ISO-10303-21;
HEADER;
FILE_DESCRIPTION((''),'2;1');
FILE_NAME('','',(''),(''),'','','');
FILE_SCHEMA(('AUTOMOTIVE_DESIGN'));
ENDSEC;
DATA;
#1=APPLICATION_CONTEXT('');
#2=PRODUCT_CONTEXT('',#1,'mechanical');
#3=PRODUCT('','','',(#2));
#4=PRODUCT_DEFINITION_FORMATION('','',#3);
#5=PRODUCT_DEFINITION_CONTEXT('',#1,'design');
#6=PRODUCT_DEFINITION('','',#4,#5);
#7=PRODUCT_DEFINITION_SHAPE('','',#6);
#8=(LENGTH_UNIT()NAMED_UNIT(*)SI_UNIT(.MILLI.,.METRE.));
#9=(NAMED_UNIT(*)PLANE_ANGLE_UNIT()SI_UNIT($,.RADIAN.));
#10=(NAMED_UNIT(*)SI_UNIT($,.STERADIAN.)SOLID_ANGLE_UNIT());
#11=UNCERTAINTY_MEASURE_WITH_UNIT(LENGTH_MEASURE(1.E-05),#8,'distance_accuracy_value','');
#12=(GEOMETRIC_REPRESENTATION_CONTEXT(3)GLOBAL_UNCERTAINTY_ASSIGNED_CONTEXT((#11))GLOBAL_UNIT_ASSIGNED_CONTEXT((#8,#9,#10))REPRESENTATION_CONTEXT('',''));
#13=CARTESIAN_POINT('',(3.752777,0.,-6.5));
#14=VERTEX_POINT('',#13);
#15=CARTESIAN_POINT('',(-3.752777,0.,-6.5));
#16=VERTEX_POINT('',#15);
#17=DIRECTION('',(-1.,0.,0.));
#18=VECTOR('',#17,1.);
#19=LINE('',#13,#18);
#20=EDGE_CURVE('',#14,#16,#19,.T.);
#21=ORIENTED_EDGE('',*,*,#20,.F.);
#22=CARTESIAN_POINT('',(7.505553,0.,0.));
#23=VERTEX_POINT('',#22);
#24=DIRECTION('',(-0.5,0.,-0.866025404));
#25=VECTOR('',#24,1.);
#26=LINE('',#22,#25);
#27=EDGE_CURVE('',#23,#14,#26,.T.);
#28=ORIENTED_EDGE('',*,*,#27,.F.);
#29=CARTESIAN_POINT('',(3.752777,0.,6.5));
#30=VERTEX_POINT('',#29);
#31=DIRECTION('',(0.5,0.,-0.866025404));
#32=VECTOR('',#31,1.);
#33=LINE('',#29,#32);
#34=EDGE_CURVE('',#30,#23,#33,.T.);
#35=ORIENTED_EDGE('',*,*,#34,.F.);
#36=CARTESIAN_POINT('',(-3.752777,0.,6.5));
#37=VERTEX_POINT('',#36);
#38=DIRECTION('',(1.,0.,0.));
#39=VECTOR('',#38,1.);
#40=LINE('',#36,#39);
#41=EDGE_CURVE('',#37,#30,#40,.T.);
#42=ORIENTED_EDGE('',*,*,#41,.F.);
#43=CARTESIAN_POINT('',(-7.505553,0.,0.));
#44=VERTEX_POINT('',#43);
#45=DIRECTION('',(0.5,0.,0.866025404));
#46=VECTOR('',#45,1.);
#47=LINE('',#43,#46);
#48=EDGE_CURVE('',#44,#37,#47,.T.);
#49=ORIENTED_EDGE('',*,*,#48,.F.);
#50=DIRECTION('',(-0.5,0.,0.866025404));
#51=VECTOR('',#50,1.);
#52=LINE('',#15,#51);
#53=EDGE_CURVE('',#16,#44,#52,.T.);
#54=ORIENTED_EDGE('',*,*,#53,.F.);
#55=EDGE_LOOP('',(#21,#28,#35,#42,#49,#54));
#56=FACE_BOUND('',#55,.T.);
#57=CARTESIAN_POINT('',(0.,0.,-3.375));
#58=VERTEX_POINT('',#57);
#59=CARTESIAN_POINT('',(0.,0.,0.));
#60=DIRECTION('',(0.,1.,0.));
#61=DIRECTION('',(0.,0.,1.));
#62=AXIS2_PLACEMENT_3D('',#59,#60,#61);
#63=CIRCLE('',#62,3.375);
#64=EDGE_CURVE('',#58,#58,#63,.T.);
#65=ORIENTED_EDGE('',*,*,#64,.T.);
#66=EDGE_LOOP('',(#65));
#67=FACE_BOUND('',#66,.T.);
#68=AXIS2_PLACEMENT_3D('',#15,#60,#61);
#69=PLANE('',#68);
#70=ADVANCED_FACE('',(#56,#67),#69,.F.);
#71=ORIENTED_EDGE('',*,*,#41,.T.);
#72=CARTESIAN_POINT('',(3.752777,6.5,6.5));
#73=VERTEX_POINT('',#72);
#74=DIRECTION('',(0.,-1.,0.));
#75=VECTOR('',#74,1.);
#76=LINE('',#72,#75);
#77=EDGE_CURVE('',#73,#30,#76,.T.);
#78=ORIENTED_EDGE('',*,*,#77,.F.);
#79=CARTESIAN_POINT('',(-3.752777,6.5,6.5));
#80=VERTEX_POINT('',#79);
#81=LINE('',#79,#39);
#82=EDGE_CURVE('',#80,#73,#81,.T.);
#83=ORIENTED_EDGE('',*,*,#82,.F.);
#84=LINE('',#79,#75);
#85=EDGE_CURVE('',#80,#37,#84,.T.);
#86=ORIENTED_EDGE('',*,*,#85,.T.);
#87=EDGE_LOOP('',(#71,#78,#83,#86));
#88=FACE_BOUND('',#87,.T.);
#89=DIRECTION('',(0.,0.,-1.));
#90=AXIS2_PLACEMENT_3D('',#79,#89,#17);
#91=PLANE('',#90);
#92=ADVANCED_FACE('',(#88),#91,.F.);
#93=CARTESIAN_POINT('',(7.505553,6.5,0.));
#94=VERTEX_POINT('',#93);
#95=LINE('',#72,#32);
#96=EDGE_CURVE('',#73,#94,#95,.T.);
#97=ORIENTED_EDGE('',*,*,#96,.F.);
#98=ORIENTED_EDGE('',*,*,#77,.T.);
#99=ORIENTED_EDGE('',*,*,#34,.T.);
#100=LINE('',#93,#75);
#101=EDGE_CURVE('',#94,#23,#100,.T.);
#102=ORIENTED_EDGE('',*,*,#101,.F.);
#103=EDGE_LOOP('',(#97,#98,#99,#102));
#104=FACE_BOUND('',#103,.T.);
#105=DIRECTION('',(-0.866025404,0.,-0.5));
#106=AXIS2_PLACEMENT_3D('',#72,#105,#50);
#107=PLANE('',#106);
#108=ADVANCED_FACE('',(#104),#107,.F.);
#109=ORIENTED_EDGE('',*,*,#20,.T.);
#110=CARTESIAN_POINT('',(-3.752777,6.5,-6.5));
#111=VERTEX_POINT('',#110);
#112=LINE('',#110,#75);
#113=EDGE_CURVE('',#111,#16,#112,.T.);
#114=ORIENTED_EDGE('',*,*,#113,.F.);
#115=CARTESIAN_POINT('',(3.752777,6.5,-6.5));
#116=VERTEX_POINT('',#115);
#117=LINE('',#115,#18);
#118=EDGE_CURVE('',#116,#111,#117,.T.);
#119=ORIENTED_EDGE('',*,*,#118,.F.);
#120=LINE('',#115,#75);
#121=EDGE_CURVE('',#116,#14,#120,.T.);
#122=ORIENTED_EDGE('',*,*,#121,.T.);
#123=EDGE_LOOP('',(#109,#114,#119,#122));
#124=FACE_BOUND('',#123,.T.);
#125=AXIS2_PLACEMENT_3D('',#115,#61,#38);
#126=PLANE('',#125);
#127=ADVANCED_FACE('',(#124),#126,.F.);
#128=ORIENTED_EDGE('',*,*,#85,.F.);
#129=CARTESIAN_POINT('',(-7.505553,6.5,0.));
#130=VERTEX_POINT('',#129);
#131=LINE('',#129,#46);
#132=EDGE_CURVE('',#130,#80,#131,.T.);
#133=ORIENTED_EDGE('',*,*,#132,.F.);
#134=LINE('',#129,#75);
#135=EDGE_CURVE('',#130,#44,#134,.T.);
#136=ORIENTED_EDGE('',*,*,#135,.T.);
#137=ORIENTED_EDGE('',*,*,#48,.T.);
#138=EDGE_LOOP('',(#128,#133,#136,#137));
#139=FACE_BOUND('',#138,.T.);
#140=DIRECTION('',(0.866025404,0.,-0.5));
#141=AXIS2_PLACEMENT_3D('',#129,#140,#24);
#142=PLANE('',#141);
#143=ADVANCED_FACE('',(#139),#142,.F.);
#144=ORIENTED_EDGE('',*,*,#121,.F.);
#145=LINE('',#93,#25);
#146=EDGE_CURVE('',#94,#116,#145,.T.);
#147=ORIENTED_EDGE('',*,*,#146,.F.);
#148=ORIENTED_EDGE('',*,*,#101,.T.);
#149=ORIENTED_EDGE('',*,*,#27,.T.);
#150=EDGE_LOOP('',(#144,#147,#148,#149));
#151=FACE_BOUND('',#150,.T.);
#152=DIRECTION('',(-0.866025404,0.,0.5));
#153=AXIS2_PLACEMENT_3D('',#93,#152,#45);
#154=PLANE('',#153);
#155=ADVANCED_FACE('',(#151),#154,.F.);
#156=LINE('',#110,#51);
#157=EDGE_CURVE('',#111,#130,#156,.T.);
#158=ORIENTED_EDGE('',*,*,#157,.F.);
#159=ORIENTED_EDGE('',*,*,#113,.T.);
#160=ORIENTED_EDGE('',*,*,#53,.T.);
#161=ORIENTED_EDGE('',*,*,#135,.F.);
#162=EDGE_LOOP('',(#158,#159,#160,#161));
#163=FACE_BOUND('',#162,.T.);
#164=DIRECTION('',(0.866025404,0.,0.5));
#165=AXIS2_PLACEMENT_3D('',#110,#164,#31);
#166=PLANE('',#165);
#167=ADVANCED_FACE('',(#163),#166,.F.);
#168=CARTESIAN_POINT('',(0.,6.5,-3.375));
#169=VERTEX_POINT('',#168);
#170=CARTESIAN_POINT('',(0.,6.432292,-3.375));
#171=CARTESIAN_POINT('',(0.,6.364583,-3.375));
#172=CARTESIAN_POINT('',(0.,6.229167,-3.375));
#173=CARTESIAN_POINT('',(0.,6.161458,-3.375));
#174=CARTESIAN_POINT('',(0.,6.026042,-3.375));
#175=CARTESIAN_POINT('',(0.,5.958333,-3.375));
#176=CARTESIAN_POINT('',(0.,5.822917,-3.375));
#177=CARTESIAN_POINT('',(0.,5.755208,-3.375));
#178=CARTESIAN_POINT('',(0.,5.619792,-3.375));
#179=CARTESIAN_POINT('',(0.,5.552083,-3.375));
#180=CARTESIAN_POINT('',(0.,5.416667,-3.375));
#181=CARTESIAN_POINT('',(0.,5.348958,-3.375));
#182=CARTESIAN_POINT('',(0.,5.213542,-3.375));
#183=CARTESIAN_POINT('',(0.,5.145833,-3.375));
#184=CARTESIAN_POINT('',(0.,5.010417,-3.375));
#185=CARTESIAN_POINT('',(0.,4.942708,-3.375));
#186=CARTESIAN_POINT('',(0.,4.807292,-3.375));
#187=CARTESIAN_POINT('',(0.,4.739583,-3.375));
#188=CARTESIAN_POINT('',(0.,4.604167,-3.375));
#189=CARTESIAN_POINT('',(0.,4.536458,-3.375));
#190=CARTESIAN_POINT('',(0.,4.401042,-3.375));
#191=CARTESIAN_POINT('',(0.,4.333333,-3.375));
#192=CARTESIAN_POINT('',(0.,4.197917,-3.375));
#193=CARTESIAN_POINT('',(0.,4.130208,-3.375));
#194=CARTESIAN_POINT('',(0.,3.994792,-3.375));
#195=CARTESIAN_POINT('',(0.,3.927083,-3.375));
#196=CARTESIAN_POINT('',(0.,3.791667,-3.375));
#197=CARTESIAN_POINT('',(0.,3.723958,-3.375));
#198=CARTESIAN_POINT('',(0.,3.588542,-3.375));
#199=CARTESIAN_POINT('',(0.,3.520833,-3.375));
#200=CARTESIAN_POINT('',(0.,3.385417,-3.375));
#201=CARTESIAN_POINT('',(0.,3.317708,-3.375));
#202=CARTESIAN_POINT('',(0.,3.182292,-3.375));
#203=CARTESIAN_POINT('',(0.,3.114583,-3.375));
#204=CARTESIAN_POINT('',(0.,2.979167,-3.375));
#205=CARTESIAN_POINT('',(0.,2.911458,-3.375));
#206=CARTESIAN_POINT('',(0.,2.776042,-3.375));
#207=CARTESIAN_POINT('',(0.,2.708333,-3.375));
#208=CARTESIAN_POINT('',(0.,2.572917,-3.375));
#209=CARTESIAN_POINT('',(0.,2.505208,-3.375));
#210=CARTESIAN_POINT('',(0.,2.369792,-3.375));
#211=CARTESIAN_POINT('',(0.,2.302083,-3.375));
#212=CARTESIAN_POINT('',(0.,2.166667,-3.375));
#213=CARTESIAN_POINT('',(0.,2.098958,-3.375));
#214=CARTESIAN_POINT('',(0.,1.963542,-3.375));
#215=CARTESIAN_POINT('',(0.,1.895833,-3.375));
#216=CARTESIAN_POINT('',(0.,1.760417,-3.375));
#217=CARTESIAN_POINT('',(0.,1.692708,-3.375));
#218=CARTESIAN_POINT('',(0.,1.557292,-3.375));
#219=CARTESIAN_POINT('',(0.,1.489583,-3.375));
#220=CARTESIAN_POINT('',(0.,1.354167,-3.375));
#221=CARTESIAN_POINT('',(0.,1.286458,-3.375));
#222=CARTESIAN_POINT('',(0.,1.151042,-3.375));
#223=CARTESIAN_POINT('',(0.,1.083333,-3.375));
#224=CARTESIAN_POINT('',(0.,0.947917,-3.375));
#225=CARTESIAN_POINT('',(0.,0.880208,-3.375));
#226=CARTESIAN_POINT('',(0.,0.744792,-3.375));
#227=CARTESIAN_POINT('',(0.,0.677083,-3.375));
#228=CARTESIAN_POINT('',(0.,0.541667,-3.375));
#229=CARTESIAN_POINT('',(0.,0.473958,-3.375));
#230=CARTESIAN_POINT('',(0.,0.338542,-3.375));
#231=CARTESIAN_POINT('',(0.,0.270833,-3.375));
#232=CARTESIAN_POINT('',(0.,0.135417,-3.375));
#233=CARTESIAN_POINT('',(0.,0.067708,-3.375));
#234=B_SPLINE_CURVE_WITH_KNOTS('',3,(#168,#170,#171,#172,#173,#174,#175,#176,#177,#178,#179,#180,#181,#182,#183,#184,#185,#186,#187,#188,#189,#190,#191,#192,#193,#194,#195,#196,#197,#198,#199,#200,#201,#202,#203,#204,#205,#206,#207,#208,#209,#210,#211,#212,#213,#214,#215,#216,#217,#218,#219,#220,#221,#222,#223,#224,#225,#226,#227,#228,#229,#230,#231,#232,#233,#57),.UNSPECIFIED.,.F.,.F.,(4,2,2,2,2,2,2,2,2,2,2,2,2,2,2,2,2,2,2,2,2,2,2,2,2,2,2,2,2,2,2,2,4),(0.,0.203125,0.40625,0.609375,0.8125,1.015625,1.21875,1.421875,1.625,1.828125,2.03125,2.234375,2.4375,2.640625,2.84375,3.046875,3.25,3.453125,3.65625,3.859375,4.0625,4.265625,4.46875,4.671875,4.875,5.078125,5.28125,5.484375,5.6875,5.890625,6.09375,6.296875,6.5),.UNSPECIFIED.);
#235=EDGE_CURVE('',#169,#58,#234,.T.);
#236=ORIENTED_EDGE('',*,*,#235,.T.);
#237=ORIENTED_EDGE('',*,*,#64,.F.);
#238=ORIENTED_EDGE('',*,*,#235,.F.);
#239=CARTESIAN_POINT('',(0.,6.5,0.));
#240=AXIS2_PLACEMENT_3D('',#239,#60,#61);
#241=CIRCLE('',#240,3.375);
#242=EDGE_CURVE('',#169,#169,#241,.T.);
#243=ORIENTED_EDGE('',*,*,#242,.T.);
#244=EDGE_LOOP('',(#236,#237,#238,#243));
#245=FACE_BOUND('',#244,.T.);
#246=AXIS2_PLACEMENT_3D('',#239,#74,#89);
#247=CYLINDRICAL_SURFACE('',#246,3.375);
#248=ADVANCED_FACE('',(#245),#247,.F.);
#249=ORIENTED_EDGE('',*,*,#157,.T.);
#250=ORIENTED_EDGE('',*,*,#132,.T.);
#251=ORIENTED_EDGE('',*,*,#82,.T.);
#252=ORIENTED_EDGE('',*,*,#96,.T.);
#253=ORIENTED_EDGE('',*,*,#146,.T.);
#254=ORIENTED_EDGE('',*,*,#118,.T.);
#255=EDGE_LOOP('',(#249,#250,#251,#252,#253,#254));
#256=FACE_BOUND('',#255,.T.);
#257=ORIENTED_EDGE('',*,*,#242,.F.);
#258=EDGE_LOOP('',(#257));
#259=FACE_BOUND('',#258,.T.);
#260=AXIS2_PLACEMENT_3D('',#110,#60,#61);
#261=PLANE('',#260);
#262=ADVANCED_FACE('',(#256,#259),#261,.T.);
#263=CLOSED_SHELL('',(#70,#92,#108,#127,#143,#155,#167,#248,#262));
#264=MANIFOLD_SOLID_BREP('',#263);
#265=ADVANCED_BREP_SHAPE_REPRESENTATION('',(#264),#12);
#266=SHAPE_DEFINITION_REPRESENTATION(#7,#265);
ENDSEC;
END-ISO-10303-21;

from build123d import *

# Parameters (mm, degrees)
CROQUIS1_R              = 3.375
SALIENTE_EXTRUIR1_DEPTH = 6.5


with BuildPart() as part:
    # Croquis1 → Saliente-Extruir1 (new body)
    with BuildSketch(Plane(origin=(0, 0, 0), x_dir=(1, 0, 0), z_dir=(0, 1, 0))):
        Polygon((-3.75277675, 6.5), (-7.505553499, 0), (-3.75277675, -6.5), (3.75277675, -6.5), (7.505553499, 0), (3.75277675, 6.5), align=None)
        with Locations(Location((0, 0, 0), (0, 0, 90))):
            Circle(CROQUIS1_R, mode=Mode.SUBTRACT)
    extrude(amount=SALIENTE_EXTRUIR1_DEPTH)


solid = part.part
